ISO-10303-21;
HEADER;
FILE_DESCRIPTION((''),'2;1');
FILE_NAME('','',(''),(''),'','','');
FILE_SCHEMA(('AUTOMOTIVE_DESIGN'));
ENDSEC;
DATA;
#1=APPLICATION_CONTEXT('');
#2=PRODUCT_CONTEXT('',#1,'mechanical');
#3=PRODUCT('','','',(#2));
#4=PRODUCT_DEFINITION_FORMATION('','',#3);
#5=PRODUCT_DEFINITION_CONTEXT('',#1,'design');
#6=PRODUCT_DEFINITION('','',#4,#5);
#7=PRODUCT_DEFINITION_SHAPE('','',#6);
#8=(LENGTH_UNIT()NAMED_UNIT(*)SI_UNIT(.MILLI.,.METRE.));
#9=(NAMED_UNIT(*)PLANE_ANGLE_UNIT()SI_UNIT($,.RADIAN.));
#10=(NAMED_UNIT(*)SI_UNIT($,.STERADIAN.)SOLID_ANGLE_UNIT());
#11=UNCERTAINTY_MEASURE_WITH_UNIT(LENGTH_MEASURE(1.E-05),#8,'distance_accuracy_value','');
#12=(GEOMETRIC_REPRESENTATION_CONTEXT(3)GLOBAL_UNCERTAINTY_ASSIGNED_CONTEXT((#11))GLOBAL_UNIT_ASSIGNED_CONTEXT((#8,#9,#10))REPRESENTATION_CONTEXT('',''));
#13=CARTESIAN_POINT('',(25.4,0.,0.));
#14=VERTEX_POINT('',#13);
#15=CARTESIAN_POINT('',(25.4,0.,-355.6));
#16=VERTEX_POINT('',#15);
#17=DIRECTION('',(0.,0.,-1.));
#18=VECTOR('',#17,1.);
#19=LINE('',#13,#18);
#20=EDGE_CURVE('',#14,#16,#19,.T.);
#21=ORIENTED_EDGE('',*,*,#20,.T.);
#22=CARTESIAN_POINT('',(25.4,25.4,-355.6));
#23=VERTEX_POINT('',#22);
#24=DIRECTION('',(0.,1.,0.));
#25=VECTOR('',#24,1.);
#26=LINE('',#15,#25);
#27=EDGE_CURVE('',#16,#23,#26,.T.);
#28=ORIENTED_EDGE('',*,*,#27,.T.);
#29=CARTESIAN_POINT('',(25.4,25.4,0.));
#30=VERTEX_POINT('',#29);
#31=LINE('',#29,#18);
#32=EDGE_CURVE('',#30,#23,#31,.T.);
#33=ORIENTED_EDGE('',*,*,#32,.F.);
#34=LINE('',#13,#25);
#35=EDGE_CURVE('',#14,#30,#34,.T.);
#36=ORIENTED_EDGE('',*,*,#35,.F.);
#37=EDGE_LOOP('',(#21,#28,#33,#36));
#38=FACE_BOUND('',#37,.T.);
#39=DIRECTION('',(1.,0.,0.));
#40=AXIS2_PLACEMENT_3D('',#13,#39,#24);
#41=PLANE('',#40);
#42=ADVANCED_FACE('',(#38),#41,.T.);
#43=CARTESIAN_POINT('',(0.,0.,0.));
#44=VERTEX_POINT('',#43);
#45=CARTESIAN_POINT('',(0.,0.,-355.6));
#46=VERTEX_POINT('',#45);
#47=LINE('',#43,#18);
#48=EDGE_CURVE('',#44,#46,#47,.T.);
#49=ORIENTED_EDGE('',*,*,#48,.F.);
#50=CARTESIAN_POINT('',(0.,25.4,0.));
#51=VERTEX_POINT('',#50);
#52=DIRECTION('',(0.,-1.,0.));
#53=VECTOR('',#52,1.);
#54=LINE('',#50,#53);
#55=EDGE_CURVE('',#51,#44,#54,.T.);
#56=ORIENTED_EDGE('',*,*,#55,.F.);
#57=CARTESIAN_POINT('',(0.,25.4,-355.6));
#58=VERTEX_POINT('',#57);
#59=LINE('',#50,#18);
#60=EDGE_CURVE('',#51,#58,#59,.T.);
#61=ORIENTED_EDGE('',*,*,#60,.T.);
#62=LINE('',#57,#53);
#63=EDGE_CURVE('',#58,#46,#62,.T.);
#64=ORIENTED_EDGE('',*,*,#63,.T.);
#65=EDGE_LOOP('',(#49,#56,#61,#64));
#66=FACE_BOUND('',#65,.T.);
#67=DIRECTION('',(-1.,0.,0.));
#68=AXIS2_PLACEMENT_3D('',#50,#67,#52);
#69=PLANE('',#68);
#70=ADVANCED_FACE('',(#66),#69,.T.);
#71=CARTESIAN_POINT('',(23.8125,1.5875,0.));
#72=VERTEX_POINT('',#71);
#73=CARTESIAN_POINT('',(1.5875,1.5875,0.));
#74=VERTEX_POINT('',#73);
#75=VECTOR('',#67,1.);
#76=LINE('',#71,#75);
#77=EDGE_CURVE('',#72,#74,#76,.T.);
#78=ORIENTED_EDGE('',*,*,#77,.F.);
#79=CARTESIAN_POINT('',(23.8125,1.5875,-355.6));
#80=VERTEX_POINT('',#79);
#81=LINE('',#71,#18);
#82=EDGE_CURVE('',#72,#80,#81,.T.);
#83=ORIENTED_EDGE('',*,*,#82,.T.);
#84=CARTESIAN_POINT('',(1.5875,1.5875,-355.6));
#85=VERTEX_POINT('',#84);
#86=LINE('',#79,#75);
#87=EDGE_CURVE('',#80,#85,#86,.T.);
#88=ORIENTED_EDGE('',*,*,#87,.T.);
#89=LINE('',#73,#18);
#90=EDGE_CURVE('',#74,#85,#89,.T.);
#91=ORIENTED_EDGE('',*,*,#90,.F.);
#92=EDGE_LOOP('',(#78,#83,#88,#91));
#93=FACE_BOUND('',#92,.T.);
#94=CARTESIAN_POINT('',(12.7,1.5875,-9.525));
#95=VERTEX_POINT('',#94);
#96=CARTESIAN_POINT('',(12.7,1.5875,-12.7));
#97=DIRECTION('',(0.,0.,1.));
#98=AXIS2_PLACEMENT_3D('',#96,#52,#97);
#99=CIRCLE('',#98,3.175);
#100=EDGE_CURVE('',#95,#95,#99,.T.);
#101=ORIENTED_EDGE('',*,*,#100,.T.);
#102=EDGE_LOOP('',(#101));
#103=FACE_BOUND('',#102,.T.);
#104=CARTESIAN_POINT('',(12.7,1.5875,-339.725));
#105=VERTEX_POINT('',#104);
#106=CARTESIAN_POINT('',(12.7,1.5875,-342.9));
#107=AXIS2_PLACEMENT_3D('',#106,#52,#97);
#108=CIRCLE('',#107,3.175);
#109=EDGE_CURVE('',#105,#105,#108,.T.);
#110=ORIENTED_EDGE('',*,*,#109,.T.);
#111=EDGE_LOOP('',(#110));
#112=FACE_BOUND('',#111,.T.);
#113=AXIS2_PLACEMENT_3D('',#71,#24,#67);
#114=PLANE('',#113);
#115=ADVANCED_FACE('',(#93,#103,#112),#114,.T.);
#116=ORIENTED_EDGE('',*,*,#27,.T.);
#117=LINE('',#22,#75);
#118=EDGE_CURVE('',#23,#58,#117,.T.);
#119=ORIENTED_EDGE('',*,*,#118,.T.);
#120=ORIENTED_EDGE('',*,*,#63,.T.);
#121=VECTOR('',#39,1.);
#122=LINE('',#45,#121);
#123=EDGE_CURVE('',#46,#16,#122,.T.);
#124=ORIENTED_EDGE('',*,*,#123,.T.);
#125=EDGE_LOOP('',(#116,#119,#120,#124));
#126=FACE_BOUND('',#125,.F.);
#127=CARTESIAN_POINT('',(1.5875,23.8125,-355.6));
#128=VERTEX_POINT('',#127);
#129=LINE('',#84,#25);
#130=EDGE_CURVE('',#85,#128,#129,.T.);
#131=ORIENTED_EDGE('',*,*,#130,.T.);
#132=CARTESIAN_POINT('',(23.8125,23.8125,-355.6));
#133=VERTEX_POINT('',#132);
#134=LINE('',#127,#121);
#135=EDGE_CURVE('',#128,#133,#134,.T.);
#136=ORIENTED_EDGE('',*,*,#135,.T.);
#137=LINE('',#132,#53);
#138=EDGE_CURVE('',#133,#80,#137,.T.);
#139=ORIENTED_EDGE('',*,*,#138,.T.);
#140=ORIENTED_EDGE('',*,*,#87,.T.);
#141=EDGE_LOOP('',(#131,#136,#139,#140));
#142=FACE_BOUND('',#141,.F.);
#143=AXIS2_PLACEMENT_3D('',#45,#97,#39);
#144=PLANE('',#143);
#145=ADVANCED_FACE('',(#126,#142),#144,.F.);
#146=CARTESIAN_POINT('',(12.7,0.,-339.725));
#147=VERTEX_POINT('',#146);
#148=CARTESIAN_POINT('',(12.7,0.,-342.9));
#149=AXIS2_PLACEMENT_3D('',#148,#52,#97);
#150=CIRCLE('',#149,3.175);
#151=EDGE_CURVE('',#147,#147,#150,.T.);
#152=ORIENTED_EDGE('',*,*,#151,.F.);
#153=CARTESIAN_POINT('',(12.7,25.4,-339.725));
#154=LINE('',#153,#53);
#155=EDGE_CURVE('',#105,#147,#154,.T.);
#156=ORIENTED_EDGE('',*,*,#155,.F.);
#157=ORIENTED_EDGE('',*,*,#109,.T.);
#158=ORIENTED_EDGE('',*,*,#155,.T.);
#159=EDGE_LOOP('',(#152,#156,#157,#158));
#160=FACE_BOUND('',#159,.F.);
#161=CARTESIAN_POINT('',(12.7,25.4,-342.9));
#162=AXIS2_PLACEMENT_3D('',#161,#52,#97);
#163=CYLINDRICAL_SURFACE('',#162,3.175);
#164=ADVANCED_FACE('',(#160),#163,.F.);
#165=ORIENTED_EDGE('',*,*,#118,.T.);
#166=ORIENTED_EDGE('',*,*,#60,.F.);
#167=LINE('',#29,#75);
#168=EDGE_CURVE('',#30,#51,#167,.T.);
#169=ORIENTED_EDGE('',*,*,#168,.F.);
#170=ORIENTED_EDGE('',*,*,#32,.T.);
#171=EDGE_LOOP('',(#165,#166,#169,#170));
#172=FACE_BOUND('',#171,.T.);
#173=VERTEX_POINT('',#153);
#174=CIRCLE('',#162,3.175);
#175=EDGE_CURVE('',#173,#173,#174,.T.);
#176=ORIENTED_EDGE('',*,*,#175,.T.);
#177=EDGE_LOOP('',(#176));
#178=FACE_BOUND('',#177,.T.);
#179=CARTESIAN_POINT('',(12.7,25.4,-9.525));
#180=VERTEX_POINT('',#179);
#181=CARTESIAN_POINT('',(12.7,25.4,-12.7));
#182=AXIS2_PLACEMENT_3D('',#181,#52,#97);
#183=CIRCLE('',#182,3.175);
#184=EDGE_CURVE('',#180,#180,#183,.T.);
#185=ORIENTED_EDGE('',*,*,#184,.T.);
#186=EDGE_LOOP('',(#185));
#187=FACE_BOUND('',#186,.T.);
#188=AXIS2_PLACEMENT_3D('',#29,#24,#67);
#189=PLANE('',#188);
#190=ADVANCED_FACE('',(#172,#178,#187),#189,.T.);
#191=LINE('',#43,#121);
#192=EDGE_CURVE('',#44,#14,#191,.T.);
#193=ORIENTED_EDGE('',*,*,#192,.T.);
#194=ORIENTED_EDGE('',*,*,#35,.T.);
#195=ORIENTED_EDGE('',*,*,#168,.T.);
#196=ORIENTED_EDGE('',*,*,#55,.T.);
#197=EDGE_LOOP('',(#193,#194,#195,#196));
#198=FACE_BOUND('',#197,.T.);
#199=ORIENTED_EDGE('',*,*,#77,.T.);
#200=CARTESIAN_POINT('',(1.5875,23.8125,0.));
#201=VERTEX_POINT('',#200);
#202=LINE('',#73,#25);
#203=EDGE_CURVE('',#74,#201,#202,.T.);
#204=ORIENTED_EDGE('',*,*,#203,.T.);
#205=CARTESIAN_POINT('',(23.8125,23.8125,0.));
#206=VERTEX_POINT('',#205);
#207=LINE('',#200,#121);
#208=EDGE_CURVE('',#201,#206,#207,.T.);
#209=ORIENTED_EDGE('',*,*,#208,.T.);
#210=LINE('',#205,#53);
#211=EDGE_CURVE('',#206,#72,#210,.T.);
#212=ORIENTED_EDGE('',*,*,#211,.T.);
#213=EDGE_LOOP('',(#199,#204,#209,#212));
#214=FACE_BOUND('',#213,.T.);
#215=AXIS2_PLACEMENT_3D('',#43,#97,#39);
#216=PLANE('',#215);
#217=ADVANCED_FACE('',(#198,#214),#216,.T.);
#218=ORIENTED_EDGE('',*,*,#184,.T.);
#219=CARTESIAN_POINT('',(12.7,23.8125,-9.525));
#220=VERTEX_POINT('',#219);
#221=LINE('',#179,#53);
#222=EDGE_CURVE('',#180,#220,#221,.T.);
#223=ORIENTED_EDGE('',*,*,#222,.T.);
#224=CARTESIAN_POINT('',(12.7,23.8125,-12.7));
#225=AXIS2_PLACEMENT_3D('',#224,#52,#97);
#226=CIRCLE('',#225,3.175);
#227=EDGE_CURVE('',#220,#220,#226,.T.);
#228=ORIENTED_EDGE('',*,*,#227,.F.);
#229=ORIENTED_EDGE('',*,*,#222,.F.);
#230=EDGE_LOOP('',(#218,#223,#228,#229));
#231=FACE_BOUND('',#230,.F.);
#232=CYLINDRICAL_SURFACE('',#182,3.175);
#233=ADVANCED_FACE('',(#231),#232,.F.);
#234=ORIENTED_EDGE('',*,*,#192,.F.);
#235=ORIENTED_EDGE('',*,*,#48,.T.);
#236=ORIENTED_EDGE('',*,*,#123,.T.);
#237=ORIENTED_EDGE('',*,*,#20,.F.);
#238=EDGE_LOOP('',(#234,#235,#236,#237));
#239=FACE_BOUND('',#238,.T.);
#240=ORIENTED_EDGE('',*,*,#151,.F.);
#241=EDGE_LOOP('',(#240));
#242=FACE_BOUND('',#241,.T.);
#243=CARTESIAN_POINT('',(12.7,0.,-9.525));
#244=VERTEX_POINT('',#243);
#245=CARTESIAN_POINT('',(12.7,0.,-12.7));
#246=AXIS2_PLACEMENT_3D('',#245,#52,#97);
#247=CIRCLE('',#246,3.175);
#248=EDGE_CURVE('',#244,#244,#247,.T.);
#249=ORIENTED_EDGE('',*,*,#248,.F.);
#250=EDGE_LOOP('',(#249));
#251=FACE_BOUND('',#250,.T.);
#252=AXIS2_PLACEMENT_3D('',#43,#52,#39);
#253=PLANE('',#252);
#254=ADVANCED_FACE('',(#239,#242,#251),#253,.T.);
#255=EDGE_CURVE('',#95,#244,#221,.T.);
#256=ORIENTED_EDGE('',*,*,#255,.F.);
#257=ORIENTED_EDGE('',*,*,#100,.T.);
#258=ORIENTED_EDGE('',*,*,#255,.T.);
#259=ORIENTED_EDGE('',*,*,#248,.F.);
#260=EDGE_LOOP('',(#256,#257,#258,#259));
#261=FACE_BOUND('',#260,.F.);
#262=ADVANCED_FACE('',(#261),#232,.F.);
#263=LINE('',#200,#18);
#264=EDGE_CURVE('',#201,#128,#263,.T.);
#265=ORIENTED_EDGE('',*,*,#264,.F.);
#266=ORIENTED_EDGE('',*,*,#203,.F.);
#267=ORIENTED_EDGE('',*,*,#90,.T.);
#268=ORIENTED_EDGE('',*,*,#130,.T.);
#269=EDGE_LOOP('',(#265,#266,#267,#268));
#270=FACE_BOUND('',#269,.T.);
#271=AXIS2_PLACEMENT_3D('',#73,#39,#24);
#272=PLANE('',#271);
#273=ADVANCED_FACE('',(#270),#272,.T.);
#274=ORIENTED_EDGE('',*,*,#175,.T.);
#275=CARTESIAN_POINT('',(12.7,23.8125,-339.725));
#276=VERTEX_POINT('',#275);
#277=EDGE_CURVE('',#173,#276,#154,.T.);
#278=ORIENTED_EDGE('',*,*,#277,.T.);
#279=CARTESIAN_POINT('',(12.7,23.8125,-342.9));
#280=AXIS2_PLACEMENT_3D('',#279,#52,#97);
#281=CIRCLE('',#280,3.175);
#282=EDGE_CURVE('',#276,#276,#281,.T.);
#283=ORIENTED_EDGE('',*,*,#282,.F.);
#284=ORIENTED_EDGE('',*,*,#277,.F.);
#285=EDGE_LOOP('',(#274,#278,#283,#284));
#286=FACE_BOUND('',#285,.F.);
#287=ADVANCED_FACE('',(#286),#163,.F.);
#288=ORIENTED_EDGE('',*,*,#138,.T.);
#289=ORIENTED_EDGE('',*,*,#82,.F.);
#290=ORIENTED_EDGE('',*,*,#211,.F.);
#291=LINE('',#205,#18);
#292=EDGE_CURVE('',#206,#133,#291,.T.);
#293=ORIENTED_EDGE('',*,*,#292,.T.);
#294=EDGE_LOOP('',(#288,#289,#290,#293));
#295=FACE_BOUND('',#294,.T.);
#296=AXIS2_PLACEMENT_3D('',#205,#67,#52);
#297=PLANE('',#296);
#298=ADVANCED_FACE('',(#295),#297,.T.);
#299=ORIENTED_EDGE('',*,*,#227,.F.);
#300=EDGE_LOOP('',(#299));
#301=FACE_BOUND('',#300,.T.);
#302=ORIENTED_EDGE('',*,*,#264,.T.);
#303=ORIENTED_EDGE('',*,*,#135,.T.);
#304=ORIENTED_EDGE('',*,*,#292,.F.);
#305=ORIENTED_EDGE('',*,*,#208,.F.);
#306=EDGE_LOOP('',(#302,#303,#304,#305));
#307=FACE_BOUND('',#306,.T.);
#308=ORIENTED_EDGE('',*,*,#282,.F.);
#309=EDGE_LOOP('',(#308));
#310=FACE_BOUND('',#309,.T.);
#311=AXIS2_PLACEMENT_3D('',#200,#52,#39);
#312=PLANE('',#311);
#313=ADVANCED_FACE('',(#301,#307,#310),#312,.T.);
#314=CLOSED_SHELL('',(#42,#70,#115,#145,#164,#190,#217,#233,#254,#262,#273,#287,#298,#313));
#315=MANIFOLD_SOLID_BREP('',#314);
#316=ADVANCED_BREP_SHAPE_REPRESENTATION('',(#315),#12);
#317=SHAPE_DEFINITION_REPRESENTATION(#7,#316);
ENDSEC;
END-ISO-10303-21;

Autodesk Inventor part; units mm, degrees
ref_plane "YZ Plane" through (0, 0, 0) normal (1, 0, 0) x (0, 1, 0)
ref_plane "XZ Plane" through (0, 0, 0) normal (0, 1, 0) x (-1, 0, 0)
ref_plane "XY Plane" through (0, 0, 0) normal (0, 0, 1) x (1, 0, 0)
sketch "Sketch1" plane through (0, 0, 0) normal (0, 0, 1) x (1, 0, 0)
  line L0 (0, 0) -> (25.4, 0)
  line L1 (25.4, 0) -> (25.4, 25.4)
  line L2 (25.4, 25.4) -> (0, 25.4)
  line L3 (0, 25.4) -> (0, 0)
  line L4 (1.5875, 23.8125) -> (23.8125, 23.8125)
  line L5 (23.8125, 23.8125) -> (23.8125, 1.5875)
  line L6 (23.8125, 1.5875) -> (1.5875, 1.5875)
  line L7 (1.5875, 1.5875) -> (1.5875, 23.8125)
  dimension "d0" = 25.4
  dimension "d1" = 25.4
  dimension "d2" = 1.5875
extrude "Extrusion1" add sketch "Sketch1" against normal blind 355.6
sketch "Sketch2" plane through (0, 25.4, 0) normal (0, 1, 0) x (1, 0, 0)
  line L0 (25.4, 355.6) -> (0, 355.6) projected
  line L1 (0, 0) -> (0, 355.6) projected
  line L2 (25.4, 0) -> (0, 0) projected
  point P0 (12.7, 12.7)
  point P1 (12.7, 342.9)
  dimension "d5" = 12.7
  dimension "d6" = 12.7
  dimension "d7" = 12.7
hole "Hole1" at (12.7, 25.4, -12.7) at (12.7, 25.4, -342.9) direction (0, -1, 0) diameter 6.35 depth 25.4 tip angle 118
properties part number "tube_m_b_out_back"
